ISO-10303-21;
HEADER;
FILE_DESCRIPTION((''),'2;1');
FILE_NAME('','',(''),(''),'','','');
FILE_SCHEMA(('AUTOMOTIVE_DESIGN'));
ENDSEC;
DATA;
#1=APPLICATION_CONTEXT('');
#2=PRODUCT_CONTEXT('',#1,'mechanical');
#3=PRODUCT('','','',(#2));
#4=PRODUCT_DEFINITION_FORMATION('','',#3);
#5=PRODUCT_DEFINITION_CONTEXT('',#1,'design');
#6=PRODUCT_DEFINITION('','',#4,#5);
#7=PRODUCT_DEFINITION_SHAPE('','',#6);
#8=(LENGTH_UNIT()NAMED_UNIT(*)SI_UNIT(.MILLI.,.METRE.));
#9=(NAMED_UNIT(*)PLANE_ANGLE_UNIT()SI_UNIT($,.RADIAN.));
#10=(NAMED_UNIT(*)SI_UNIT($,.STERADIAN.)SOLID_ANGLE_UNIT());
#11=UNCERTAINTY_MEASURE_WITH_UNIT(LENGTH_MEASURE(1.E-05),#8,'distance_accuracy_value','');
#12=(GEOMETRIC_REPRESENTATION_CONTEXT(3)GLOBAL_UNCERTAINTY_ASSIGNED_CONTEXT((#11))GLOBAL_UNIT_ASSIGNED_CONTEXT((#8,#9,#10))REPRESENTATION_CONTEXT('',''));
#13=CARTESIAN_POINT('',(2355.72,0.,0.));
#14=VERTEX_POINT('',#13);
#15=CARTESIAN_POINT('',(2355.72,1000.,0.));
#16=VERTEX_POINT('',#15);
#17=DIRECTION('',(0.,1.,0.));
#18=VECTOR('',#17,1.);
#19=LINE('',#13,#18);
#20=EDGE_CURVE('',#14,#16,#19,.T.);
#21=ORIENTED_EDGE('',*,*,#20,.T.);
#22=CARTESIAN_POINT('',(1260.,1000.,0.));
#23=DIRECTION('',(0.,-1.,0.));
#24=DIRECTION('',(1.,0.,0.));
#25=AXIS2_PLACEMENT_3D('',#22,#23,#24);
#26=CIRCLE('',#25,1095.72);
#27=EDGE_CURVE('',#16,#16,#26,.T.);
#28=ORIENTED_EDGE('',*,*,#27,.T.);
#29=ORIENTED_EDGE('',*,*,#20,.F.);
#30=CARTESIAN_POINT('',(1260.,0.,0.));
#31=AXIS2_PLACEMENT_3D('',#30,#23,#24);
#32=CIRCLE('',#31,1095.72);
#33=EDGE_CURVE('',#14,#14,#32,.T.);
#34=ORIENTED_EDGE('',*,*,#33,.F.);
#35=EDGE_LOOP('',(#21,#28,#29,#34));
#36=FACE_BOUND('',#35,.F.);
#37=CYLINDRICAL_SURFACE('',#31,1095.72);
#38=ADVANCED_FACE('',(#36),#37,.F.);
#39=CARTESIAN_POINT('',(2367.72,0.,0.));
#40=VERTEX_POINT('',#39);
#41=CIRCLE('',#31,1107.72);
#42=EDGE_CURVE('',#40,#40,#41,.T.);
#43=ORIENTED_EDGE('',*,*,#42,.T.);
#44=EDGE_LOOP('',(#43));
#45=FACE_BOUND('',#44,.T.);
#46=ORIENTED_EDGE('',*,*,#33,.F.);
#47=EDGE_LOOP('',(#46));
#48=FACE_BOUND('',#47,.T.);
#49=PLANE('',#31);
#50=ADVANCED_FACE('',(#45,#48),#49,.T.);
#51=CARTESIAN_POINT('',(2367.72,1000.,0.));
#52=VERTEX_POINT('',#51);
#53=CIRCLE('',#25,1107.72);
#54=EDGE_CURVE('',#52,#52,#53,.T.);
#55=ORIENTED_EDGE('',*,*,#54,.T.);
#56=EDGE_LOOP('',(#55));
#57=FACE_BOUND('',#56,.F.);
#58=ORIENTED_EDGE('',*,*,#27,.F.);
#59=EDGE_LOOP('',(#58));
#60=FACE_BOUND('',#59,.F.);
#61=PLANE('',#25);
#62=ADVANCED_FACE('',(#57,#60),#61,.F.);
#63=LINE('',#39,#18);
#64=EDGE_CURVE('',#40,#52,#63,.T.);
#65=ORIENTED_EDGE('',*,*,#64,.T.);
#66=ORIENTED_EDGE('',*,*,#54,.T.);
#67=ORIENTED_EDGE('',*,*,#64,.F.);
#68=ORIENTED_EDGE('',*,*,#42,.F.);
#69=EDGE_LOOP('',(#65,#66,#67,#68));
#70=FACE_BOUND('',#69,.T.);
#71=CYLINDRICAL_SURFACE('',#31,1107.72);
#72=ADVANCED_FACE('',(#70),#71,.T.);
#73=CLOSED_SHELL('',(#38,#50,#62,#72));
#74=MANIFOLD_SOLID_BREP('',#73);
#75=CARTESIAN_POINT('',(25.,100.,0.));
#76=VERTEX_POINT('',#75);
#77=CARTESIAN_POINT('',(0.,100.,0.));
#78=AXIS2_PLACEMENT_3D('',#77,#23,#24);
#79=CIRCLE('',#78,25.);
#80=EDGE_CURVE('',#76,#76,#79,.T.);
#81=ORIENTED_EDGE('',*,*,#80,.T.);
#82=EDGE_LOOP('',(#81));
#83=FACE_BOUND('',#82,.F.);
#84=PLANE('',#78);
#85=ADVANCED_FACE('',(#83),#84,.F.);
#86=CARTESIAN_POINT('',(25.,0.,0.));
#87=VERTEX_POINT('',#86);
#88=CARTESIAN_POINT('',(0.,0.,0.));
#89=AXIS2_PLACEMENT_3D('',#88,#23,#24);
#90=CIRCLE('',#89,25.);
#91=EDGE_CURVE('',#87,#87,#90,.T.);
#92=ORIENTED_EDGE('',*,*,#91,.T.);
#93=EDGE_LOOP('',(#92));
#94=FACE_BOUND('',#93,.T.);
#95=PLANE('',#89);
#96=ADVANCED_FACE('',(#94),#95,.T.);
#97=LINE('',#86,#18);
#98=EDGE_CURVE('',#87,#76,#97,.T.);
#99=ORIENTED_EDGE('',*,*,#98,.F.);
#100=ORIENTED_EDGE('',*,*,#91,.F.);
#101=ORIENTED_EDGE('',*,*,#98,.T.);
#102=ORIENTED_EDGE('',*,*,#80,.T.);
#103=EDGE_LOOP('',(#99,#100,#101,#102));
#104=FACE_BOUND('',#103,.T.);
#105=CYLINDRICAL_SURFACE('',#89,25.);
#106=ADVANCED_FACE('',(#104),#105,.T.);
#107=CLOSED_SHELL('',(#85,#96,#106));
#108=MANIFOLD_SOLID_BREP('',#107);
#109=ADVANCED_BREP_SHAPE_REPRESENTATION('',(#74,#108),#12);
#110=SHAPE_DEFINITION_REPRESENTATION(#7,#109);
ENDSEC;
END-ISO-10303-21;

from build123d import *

# Parameters (mm, degrees)
F0_R     = 25
F1_DEPTH = 100
F2_R     = 1107.72
F2_R_2   = 1095.72
F3_DEPTH = 1000


with BuildPart() as f1:
    # F0 (on Front) → F1 (new body)
    with BuildSketch(Plane.XZ):
        Circle(F0_R)
    extrude(amount=-F1_DEPTH)


with BuildPart() as f3:
    # F2 (on Front) → F3 (new body)
    with BuildSketch(Plane.XZ):
        with Locations((1260, 0)):
            Circle(F2_R)
        with Locations((1260, 0)):
            Circle(F2_R_2, mode=Mode.SUBTRACT)
    extrude(amount=-F3_DEPTH)


solid = Compound([f1.part, f3.part])
